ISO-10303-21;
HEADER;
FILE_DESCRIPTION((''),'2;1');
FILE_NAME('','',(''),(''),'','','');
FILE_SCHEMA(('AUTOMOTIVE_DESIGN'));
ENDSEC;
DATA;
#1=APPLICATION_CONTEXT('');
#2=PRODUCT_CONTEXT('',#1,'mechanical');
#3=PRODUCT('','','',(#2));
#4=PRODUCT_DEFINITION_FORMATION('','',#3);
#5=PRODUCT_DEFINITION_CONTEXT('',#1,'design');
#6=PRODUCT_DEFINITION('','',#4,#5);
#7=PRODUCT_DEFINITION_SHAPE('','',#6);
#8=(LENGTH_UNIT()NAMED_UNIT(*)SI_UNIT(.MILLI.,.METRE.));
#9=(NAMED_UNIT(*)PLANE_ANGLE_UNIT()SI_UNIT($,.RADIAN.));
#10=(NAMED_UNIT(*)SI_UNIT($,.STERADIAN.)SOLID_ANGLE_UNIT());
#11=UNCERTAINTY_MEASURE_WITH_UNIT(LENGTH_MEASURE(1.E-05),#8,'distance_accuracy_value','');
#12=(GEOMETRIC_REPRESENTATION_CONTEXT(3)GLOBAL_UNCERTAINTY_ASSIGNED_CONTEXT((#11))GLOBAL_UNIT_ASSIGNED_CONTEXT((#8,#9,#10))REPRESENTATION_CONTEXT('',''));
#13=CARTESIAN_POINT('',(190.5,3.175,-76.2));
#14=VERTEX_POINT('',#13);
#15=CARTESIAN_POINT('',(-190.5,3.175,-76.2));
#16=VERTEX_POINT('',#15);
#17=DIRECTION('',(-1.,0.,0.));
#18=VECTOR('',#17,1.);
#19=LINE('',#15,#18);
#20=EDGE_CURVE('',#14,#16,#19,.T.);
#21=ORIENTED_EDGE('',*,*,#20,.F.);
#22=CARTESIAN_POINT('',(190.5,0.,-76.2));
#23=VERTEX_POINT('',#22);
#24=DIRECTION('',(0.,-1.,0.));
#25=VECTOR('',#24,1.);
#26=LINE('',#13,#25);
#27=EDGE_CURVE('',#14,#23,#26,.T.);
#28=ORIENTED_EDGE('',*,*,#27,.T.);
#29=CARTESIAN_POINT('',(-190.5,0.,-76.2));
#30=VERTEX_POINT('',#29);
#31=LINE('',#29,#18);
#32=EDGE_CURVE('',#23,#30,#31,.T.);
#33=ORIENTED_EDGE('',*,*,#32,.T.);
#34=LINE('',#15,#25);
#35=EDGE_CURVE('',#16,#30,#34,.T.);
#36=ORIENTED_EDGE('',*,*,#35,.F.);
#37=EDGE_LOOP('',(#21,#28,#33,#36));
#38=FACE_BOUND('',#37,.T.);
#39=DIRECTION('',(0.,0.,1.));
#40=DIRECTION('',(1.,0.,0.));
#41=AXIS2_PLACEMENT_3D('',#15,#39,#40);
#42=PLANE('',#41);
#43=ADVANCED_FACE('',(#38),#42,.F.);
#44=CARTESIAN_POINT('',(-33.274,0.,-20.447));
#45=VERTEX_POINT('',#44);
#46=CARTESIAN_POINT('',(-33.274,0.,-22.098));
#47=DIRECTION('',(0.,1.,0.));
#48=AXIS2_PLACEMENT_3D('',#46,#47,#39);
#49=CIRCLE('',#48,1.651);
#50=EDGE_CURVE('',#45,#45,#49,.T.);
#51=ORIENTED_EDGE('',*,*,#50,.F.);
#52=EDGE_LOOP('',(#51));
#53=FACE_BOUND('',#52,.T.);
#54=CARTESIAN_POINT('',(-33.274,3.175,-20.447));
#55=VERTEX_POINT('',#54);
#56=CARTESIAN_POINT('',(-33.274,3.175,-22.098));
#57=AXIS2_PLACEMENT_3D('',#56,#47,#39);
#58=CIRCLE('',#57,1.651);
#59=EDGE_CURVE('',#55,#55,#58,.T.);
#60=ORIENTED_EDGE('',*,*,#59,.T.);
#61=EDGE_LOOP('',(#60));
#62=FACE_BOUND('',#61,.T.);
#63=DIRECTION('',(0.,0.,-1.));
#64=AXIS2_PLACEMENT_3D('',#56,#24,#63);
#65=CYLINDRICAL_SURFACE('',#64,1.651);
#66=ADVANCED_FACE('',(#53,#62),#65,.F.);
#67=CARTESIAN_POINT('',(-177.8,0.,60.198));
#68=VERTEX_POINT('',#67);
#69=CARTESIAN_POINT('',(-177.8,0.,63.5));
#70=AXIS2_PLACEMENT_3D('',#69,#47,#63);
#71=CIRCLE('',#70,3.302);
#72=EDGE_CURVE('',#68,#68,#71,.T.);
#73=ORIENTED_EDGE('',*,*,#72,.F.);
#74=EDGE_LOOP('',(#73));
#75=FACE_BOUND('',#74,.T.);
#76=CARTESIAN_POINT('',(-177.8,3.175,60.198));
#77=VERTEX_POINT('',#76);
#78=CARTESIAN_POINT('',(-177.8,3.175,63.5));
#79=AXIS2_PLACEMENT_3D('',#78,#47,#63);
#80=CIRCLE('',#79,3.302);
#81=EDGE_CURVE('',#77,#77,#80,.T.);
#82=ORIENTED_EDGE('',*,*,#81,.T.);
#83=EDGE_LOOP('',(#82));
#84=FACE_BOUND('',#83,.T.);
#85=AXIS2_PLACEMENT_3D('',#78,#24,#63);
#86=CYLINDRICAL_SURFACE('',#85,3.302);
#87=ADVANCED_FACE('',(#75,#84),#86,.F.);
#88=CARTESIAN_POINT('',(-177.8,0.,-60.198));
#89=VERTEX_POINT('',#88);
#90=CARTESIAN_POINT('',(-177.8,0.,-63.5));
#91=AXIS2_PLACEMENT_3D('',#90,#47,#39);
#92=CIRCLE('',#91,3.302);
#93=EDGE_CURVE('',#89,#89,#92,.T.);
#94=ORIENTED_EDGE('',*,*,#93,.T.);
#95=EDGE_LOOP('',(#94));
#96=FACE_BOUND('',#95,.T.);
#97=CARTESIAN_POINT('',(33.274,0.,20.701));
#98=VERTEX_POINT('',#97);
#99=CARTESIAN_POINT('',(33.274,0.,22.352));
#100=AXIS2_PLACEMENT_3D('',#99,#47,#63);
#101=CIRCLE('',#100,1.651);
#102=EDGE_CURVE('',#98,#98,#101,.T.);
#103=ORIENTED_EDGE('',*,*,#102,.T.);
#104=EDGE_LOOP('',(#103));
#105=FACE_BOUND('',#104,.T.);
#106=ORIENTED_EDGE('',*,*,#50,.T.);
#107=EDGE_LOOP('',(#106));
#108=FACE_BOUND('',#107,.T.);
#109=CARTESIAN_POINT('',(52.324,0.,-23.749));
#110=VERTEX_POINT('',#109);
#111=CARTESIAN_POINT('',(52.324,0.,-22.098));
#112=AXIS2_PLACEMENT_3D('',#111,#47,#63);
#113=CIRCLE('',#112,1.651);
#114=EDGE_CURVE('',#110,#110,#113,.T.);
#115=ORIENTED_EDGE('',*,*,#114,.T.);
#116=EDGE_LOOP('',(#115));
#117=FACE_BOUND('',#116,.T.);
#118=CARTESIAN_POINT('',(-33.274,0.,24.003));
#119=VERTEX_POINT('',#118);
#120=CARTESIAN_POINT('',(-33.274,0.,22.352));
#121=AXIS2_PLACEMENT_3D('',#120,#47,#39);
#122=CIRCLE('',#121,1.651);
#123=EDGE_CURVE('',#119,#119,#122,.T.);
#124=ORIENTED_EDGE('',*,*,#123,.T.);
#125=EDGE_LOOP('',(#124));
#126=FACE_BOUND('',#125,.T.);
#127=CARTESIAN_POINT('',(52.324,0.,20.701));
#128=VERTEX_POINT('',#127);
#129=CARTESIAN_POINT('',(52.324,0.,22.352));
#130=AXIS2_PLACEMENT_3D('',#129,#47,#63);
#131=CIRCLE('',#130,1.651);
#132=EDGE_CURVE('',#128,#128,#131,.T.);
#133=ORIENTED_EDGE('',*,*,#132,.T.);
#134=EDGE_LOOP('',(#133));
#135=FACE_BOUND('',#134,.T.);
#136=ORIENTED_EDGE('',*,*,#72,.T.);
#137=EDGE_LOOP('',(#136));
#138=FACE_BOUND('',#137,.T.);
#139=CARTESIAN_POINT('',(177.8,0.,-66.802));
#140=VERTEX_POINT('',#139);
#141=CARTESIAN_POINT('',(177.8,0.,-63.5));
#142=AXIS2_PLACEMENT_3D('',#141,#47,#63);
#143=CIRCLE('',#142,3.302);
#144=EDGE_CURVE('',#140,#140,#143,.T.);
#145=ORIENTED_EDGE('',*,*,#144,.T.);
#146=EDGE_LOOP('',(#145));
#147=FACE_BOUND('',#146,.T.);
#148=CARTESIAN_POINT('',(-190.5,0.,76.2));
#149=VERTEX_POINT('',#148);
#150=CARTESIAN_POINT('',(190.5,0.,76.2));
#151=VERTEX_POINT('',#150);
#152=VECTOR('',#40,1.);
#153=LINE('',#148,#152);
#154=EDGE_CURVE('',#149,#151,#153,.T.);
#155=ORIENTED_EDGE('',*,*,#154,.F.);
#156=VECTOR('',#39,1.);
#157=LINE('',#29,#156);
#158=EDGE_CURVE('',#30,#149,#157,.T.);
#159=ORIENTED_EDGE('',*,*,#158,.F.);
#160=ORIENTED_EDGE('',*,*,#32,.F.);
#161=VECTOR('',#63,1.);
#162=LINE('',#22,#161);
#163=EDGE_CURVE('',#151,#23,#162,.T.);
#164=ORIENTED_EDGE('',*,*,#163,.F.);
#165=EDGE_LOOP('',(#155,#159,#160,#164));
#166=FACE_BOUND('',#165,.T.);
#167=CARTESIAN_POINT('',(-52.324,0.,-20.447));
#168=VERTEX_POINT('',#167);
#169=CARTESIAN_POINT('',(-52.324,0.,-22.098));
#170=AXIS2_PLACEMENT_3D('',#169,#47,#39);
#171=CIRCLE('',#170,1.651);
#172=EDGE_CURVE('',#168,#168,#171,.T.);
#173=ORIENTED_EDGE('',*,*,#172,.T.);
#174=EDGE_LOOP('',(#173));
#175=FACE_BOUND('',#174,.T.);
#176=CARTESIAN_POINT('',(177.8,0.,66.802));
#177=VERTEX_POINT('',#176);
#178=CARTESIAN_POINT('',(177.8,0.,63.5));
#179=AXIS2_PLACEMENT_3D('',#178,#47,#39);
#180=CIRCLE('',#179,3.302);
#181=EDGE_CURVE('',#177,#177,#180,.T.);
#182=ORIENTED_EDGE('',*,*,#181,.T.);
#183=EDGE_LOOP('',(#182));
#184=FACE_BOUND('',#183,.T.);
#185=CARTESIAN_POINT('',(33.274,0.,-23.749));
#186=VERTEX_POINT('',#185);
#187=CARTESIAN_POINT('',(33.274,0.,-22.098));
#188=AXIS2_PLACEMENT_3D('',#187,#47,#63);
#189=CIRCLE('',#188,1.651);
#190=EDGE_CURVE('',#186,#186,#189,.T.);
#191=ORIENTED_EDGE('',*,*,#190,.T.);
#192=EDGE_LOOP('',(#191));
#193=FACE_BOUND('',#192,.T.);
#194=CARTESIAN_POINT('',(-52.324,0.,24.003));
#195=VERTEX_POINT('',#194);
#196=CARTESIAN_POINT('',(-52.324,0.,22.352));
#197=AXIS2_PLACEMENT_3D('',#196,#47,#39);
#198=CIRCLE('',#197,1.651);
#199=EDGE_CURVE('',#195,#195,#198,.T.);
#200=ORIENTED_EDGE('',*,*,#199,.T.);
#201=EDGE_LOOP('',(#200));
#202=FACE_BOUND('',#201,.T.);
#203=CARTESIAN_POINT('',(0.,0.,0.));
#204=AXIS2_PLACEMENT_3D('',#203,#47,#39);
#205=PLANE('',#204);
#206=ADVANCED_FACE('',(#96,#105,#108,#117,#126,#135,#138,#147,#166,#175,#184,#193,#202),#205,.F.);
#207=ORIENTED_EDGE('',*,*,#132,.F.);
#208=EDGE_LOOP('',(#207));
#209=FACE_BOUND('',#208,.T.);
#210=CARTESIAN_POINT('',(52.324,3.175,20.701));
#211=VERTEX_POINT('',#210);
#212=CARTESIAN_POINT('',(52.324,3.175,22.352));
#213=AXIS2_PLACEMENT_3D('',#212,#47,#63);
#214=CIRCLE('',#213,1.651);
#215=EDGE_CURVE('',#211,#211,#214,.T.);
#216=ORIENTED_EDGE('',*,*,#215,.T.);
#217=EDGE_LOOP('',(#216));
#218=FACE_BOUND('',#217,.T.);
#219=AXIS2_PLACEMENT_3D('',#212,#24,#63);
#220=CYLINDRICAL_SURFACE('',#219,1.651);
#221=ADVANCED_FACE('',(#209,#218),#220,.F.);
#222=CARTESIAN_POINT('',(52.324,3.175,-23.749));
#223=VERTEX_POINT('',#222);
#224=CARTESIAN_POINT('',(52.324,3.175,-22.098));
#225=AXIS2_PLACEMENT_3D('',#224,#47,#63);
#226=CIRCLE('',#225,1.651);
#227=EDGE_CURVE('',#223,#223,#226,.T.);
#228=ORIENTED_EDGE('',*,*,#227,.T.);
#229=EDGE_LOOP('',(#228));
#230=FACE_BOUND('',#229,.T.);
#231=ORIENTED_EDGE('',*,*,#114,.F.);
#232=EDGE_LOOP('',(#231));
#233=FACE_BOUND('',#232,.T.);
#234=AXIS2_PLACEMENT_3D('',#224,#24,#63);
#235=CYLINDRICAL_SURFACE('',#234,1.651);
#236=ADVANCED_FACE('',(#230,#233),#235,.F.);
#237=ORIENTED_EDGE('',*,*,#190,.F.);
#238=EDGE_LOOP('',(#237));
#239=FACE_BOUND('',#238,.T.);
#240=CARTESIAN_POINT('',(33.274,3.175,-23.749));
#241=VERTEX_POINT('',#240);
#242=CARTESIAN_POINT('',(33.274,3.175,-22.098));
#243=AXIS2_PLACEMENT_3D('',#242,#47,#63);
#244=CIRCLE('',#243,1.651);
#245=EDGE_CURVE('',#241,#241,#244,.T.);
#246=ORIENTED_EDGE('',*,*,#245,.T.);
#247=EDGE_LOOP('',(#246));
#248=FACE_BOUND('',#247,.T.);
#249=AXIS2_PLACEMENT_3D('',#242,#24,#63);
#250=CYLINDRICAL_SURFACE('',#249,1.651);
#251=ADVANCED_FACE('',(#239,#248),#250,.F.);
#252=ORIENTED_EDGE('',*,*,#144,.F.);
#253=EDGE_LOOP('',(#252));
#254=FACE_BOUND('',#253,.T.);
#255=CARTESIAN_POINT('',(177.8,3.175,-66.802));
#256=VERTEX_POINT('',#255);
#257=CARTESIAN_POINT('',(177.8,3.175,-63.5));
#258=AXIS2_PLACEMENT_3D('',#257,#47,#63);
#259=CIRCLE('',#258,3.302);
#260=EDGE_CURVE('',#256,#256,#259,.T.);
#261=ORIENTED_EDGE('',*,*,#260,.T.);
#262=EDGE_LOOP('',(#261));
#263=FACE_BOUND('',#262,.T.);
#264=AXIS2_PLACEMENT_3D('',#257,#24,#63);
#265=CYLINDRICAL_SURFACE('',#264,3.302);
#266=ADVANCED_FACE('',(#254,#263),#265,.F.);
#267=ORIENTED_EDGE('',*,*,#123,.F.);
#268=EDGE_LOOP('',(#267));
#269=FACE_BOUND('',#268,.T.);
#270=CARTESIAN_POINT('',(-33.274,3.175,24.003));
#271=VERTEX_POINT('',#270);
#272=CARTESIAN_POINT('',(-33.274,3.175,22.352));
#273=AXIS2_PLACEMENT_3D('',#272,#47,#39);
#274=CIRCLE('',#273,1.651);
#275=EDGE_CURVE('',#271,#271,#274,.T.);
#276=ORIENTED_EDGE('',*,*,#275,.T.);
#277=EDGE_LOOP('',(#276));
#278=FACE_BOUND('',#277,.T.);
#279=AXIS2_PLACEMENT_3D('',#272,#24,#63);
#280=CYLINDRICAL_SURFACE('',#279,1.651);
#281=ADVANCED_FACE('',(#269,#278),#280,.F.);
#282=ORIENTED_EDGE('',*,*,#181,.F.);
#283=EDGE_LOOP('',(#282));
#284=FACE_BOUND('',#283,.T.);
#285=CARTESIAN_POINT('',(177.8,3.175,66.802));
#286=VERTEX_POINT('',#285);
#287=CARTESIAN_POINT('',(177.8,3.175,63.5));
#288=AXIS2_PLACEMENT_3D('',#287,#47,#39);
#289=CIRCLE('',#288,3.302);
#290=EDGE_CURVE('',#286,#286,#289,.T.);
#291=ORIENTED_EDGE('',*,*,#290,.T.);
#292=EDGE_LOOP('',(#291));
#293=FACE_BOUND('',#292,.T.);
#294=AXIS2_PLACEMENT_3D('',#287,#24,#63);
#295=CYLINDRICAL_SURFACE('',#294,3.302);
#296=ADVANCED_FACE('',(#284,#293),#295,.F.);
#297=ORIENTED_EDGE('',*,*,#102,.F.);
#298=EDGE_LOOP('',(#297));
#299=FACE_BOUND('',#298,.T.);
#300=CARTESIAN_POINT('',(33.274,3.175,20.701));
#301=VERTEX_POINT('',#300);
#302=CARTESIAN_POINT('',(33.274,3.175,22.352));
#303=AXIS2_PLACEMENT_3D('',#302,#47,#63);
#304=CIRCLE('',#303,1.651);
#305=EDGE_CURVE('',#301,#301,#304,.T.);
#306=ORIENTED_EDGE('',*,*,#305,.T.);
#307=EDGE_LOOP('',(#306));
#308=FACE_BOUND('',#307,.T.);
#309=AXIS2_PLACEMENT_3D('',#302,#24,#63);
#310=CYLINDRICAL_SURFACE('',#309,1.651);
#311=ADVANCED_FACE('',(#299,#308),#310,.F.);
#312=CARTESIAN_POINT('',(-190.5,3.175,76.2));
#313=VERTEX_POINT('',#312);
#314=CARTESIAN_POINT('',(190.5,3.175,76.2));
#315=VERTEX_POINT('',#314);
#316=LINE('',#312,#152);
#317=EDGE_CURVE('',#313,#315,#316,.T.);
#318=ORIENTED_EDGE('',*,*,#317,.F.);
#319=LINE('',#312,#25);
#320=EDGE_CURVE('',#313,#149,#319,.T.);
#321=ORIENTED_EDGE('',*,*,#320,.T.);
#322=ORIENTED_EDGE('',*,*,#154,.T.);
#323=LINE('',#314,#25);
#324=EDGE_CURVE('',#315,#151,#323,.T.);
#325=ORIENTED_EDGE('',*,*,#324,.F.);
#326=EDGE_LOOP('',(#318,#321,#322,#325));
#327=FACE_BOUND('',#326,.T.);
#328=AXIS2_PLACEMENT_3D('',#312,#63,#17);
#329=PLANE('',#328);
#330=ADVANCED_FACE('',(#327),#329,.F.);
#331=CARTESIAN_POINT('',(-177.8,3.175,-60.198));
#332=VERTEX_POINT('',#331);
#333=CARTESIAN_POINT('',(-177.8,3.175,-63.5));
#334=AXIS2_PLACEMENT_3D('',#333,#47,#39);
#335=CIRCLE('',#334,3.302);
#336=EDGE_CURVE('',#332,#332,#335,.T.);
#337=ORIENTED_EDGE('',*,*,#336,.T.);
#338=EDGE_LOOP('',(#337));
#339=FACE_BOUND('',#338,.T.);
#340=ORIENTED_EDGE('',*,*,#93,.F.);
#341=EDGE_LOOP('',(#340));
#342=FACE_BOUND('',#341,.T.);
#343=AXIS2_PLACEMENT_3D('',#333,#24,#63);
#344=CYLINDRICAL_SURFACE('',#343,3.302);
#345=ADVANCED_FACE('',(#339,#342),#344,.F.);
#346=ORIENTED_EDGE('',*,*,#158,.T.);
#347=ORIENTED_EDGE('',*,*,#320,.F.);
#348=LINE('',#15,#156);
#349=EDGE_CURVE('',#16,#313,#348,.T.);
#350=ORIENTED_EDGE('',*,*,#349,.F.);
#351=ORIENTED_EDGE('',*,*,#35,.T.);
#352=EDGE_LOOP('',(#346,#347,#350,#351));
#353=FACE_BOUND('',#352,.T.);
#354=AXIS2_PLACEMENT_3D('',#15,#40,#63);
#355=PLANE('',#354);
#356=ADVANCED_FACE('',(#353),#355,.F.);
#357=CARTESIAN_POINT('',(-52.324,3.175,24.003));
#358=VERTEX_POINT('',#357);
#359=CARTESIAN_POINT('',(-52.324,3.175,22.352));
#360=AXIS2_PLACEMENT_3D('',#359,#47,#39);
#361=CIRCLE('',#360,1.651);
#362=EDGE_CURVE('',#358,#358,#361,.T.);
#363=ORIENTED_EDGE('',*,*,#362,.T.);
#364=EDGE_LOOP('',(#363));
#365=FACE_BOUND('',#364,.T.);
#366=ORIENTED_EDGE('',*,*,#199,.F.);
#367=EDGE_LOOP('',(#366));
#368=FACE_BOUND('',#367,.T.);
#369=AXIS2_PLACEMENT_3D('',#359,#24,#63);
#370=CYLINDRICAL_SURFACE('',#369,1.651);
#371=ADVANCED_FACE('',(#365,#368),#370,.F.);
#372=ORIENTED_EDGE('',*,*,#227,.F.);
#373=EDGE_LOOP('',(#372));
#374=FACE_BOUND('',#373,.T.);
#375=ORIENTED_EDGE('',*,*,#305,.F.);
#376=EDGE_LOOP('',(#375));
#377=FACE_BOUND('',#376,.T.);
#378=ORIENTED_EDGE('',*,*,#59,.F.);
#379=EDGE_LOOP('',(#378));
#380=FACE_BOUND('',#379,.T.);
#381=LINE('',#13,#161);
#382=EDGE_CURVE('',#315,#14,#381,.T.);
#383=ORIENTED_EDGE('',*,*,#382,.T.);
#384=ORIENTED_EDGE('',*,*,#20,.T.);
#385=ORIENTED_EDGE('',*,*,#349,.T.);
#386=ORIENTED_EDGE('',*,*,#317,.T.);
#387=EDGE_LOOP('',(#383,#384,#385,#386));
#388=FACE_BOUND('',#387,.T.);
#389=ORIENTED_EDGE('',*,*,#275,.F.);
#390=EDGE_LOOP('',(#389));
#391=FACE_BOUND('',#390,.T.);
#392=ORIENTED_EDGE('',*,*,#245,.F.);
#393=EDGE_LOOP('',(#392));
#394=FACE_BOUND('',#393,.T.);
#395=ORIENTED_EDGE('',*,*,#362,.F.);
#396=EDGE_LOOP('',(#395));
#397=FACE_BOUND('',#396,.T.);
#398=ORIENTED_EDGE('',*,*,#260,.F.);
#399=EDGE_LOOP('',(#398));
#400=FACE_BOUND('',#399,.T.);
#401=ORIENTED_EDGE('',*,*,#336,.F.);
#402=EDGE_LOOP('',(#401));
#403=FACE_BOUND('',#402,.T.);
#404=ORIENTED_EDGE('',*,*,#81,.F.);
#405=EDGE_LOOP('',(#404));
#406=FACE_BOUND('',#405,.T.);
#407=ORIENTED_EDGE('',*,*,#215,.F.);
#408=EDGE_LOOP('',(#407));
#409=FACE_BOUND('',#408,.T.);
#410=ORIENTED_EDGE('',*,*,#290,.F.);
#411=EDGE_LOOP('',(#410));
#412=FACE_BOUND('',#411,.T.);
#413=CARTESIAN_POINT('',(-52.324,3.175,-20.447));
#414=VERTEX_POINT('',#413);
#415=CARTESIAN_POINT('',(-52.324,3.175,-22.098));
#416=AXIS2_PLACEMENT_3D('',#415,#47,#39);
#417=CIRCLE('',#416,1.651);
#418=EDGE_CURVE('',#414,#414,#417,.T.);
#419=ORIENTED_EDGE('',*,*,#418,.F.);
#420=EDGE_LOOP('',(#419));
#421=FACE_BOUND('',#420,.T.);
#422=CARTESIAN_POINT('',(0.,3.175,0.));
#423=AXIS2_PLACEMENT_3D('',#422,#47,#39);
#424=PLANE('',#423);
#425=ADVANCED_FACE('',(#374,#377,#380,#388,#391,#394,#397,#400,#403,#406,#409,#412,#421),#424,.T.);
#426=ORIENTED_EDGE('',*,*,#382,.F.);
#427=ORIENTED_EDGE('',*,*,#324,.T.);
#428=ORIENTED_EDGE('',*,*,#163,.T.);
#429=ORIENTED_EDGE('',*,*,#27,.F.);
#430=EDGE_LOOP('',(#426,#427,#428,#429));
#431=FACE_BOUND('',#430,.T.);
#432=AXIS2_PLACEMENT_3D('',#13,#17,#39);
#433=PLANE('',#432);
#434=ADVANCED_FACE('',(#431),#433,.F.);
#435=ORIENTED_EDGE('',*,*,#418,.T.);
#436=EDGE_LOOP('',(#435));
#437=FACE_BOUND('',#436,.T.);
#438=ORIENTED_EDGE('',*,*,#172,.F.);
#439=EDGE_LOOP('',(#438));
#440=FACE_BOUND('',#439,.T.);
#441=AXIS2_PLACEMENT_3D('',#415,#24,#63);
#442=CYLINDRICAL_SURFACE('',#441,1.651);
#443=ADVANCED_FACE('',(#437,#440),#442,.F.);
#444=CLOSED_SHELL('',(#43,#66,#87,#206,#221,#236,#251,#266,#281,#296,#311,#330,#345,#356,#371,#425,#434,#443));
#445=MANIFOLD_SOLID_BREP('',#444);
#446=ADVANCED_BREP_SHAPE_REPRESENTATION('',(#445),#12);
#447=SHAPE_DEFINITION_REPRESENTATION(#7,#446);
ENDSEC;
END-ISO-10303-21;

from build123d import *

# Parameters (mm, degrees)
SKETCH1_W           = 381
SKETCH1_H           = 152.4
SKETCH1_R           = 3.302
SKETCH1_R_2         = 1.651
BOSS_EXTRUDE1_DEPTH = 3.175


with BuildPart() as part:
    # Sketch1 → Boss-Extrude1 (new body)
    with BuildSketch(Plane(origin=(0, 0, 0), x_dir=(1, 0, 0), z_dir=(0, 1, 0))):
        Rectangle(SKETCH1_W, SKETCH1_H)
        with Locations((-177.8, 63.5)):
            Circle(SKETCH1_R, mode=Mode.SUBTRACT)
        with Locations((177.8, 63.5)):
            Circle(SKETCH1_R, mode=Mode.SUBTRACT)
        with Locations((-177.8, -63.5)):
            Circle(SKETCH1_R, mode=Mode.SUBTRACT)
        with Locations((177.8, -63.5)):
            Circle(SKETCH1_R, mode=Mode.SUBTRACT)
        with Locations((-52.324, 22.098)):
            Circle(SKETCH1_R_2, mode=Mode.SUBTRACT)
        with Locations((-52.324, -22.352)):
            Circle(SKETCH1_R_2, mode=Mode.SUBTRACT)
        with Locations((-33.274, 22.098)):
            Circle(SKETCH1_R_2, mode=Mode.SUBTRACT)
        with Locations((-33.274, -22.352)):
            Circle(SKETCH1_R_2, mode=Mode.SUBTRACT)
        with Locations((33.274, 22.098)):
            Circle(SKETCH1_R_2, mode=Mode.SUBTRACT)
        with Locations((33.274, -22.352)):
            Circle(SKETCH1_R_2, mode=Mode.SUBTRACT)
        with Locations((52.324, -22.352)):
            Circle(SKETCH1_R_2, mode=Mode.SUBTRACT)
        with Locations((52.324, 22.098)):
            Circle(SKETCH1_R_2, mode=Mode.SUBTRACT)
    extrude(amount=BOSS_EXTRUDE1_DEPTH)


solid = part.part
